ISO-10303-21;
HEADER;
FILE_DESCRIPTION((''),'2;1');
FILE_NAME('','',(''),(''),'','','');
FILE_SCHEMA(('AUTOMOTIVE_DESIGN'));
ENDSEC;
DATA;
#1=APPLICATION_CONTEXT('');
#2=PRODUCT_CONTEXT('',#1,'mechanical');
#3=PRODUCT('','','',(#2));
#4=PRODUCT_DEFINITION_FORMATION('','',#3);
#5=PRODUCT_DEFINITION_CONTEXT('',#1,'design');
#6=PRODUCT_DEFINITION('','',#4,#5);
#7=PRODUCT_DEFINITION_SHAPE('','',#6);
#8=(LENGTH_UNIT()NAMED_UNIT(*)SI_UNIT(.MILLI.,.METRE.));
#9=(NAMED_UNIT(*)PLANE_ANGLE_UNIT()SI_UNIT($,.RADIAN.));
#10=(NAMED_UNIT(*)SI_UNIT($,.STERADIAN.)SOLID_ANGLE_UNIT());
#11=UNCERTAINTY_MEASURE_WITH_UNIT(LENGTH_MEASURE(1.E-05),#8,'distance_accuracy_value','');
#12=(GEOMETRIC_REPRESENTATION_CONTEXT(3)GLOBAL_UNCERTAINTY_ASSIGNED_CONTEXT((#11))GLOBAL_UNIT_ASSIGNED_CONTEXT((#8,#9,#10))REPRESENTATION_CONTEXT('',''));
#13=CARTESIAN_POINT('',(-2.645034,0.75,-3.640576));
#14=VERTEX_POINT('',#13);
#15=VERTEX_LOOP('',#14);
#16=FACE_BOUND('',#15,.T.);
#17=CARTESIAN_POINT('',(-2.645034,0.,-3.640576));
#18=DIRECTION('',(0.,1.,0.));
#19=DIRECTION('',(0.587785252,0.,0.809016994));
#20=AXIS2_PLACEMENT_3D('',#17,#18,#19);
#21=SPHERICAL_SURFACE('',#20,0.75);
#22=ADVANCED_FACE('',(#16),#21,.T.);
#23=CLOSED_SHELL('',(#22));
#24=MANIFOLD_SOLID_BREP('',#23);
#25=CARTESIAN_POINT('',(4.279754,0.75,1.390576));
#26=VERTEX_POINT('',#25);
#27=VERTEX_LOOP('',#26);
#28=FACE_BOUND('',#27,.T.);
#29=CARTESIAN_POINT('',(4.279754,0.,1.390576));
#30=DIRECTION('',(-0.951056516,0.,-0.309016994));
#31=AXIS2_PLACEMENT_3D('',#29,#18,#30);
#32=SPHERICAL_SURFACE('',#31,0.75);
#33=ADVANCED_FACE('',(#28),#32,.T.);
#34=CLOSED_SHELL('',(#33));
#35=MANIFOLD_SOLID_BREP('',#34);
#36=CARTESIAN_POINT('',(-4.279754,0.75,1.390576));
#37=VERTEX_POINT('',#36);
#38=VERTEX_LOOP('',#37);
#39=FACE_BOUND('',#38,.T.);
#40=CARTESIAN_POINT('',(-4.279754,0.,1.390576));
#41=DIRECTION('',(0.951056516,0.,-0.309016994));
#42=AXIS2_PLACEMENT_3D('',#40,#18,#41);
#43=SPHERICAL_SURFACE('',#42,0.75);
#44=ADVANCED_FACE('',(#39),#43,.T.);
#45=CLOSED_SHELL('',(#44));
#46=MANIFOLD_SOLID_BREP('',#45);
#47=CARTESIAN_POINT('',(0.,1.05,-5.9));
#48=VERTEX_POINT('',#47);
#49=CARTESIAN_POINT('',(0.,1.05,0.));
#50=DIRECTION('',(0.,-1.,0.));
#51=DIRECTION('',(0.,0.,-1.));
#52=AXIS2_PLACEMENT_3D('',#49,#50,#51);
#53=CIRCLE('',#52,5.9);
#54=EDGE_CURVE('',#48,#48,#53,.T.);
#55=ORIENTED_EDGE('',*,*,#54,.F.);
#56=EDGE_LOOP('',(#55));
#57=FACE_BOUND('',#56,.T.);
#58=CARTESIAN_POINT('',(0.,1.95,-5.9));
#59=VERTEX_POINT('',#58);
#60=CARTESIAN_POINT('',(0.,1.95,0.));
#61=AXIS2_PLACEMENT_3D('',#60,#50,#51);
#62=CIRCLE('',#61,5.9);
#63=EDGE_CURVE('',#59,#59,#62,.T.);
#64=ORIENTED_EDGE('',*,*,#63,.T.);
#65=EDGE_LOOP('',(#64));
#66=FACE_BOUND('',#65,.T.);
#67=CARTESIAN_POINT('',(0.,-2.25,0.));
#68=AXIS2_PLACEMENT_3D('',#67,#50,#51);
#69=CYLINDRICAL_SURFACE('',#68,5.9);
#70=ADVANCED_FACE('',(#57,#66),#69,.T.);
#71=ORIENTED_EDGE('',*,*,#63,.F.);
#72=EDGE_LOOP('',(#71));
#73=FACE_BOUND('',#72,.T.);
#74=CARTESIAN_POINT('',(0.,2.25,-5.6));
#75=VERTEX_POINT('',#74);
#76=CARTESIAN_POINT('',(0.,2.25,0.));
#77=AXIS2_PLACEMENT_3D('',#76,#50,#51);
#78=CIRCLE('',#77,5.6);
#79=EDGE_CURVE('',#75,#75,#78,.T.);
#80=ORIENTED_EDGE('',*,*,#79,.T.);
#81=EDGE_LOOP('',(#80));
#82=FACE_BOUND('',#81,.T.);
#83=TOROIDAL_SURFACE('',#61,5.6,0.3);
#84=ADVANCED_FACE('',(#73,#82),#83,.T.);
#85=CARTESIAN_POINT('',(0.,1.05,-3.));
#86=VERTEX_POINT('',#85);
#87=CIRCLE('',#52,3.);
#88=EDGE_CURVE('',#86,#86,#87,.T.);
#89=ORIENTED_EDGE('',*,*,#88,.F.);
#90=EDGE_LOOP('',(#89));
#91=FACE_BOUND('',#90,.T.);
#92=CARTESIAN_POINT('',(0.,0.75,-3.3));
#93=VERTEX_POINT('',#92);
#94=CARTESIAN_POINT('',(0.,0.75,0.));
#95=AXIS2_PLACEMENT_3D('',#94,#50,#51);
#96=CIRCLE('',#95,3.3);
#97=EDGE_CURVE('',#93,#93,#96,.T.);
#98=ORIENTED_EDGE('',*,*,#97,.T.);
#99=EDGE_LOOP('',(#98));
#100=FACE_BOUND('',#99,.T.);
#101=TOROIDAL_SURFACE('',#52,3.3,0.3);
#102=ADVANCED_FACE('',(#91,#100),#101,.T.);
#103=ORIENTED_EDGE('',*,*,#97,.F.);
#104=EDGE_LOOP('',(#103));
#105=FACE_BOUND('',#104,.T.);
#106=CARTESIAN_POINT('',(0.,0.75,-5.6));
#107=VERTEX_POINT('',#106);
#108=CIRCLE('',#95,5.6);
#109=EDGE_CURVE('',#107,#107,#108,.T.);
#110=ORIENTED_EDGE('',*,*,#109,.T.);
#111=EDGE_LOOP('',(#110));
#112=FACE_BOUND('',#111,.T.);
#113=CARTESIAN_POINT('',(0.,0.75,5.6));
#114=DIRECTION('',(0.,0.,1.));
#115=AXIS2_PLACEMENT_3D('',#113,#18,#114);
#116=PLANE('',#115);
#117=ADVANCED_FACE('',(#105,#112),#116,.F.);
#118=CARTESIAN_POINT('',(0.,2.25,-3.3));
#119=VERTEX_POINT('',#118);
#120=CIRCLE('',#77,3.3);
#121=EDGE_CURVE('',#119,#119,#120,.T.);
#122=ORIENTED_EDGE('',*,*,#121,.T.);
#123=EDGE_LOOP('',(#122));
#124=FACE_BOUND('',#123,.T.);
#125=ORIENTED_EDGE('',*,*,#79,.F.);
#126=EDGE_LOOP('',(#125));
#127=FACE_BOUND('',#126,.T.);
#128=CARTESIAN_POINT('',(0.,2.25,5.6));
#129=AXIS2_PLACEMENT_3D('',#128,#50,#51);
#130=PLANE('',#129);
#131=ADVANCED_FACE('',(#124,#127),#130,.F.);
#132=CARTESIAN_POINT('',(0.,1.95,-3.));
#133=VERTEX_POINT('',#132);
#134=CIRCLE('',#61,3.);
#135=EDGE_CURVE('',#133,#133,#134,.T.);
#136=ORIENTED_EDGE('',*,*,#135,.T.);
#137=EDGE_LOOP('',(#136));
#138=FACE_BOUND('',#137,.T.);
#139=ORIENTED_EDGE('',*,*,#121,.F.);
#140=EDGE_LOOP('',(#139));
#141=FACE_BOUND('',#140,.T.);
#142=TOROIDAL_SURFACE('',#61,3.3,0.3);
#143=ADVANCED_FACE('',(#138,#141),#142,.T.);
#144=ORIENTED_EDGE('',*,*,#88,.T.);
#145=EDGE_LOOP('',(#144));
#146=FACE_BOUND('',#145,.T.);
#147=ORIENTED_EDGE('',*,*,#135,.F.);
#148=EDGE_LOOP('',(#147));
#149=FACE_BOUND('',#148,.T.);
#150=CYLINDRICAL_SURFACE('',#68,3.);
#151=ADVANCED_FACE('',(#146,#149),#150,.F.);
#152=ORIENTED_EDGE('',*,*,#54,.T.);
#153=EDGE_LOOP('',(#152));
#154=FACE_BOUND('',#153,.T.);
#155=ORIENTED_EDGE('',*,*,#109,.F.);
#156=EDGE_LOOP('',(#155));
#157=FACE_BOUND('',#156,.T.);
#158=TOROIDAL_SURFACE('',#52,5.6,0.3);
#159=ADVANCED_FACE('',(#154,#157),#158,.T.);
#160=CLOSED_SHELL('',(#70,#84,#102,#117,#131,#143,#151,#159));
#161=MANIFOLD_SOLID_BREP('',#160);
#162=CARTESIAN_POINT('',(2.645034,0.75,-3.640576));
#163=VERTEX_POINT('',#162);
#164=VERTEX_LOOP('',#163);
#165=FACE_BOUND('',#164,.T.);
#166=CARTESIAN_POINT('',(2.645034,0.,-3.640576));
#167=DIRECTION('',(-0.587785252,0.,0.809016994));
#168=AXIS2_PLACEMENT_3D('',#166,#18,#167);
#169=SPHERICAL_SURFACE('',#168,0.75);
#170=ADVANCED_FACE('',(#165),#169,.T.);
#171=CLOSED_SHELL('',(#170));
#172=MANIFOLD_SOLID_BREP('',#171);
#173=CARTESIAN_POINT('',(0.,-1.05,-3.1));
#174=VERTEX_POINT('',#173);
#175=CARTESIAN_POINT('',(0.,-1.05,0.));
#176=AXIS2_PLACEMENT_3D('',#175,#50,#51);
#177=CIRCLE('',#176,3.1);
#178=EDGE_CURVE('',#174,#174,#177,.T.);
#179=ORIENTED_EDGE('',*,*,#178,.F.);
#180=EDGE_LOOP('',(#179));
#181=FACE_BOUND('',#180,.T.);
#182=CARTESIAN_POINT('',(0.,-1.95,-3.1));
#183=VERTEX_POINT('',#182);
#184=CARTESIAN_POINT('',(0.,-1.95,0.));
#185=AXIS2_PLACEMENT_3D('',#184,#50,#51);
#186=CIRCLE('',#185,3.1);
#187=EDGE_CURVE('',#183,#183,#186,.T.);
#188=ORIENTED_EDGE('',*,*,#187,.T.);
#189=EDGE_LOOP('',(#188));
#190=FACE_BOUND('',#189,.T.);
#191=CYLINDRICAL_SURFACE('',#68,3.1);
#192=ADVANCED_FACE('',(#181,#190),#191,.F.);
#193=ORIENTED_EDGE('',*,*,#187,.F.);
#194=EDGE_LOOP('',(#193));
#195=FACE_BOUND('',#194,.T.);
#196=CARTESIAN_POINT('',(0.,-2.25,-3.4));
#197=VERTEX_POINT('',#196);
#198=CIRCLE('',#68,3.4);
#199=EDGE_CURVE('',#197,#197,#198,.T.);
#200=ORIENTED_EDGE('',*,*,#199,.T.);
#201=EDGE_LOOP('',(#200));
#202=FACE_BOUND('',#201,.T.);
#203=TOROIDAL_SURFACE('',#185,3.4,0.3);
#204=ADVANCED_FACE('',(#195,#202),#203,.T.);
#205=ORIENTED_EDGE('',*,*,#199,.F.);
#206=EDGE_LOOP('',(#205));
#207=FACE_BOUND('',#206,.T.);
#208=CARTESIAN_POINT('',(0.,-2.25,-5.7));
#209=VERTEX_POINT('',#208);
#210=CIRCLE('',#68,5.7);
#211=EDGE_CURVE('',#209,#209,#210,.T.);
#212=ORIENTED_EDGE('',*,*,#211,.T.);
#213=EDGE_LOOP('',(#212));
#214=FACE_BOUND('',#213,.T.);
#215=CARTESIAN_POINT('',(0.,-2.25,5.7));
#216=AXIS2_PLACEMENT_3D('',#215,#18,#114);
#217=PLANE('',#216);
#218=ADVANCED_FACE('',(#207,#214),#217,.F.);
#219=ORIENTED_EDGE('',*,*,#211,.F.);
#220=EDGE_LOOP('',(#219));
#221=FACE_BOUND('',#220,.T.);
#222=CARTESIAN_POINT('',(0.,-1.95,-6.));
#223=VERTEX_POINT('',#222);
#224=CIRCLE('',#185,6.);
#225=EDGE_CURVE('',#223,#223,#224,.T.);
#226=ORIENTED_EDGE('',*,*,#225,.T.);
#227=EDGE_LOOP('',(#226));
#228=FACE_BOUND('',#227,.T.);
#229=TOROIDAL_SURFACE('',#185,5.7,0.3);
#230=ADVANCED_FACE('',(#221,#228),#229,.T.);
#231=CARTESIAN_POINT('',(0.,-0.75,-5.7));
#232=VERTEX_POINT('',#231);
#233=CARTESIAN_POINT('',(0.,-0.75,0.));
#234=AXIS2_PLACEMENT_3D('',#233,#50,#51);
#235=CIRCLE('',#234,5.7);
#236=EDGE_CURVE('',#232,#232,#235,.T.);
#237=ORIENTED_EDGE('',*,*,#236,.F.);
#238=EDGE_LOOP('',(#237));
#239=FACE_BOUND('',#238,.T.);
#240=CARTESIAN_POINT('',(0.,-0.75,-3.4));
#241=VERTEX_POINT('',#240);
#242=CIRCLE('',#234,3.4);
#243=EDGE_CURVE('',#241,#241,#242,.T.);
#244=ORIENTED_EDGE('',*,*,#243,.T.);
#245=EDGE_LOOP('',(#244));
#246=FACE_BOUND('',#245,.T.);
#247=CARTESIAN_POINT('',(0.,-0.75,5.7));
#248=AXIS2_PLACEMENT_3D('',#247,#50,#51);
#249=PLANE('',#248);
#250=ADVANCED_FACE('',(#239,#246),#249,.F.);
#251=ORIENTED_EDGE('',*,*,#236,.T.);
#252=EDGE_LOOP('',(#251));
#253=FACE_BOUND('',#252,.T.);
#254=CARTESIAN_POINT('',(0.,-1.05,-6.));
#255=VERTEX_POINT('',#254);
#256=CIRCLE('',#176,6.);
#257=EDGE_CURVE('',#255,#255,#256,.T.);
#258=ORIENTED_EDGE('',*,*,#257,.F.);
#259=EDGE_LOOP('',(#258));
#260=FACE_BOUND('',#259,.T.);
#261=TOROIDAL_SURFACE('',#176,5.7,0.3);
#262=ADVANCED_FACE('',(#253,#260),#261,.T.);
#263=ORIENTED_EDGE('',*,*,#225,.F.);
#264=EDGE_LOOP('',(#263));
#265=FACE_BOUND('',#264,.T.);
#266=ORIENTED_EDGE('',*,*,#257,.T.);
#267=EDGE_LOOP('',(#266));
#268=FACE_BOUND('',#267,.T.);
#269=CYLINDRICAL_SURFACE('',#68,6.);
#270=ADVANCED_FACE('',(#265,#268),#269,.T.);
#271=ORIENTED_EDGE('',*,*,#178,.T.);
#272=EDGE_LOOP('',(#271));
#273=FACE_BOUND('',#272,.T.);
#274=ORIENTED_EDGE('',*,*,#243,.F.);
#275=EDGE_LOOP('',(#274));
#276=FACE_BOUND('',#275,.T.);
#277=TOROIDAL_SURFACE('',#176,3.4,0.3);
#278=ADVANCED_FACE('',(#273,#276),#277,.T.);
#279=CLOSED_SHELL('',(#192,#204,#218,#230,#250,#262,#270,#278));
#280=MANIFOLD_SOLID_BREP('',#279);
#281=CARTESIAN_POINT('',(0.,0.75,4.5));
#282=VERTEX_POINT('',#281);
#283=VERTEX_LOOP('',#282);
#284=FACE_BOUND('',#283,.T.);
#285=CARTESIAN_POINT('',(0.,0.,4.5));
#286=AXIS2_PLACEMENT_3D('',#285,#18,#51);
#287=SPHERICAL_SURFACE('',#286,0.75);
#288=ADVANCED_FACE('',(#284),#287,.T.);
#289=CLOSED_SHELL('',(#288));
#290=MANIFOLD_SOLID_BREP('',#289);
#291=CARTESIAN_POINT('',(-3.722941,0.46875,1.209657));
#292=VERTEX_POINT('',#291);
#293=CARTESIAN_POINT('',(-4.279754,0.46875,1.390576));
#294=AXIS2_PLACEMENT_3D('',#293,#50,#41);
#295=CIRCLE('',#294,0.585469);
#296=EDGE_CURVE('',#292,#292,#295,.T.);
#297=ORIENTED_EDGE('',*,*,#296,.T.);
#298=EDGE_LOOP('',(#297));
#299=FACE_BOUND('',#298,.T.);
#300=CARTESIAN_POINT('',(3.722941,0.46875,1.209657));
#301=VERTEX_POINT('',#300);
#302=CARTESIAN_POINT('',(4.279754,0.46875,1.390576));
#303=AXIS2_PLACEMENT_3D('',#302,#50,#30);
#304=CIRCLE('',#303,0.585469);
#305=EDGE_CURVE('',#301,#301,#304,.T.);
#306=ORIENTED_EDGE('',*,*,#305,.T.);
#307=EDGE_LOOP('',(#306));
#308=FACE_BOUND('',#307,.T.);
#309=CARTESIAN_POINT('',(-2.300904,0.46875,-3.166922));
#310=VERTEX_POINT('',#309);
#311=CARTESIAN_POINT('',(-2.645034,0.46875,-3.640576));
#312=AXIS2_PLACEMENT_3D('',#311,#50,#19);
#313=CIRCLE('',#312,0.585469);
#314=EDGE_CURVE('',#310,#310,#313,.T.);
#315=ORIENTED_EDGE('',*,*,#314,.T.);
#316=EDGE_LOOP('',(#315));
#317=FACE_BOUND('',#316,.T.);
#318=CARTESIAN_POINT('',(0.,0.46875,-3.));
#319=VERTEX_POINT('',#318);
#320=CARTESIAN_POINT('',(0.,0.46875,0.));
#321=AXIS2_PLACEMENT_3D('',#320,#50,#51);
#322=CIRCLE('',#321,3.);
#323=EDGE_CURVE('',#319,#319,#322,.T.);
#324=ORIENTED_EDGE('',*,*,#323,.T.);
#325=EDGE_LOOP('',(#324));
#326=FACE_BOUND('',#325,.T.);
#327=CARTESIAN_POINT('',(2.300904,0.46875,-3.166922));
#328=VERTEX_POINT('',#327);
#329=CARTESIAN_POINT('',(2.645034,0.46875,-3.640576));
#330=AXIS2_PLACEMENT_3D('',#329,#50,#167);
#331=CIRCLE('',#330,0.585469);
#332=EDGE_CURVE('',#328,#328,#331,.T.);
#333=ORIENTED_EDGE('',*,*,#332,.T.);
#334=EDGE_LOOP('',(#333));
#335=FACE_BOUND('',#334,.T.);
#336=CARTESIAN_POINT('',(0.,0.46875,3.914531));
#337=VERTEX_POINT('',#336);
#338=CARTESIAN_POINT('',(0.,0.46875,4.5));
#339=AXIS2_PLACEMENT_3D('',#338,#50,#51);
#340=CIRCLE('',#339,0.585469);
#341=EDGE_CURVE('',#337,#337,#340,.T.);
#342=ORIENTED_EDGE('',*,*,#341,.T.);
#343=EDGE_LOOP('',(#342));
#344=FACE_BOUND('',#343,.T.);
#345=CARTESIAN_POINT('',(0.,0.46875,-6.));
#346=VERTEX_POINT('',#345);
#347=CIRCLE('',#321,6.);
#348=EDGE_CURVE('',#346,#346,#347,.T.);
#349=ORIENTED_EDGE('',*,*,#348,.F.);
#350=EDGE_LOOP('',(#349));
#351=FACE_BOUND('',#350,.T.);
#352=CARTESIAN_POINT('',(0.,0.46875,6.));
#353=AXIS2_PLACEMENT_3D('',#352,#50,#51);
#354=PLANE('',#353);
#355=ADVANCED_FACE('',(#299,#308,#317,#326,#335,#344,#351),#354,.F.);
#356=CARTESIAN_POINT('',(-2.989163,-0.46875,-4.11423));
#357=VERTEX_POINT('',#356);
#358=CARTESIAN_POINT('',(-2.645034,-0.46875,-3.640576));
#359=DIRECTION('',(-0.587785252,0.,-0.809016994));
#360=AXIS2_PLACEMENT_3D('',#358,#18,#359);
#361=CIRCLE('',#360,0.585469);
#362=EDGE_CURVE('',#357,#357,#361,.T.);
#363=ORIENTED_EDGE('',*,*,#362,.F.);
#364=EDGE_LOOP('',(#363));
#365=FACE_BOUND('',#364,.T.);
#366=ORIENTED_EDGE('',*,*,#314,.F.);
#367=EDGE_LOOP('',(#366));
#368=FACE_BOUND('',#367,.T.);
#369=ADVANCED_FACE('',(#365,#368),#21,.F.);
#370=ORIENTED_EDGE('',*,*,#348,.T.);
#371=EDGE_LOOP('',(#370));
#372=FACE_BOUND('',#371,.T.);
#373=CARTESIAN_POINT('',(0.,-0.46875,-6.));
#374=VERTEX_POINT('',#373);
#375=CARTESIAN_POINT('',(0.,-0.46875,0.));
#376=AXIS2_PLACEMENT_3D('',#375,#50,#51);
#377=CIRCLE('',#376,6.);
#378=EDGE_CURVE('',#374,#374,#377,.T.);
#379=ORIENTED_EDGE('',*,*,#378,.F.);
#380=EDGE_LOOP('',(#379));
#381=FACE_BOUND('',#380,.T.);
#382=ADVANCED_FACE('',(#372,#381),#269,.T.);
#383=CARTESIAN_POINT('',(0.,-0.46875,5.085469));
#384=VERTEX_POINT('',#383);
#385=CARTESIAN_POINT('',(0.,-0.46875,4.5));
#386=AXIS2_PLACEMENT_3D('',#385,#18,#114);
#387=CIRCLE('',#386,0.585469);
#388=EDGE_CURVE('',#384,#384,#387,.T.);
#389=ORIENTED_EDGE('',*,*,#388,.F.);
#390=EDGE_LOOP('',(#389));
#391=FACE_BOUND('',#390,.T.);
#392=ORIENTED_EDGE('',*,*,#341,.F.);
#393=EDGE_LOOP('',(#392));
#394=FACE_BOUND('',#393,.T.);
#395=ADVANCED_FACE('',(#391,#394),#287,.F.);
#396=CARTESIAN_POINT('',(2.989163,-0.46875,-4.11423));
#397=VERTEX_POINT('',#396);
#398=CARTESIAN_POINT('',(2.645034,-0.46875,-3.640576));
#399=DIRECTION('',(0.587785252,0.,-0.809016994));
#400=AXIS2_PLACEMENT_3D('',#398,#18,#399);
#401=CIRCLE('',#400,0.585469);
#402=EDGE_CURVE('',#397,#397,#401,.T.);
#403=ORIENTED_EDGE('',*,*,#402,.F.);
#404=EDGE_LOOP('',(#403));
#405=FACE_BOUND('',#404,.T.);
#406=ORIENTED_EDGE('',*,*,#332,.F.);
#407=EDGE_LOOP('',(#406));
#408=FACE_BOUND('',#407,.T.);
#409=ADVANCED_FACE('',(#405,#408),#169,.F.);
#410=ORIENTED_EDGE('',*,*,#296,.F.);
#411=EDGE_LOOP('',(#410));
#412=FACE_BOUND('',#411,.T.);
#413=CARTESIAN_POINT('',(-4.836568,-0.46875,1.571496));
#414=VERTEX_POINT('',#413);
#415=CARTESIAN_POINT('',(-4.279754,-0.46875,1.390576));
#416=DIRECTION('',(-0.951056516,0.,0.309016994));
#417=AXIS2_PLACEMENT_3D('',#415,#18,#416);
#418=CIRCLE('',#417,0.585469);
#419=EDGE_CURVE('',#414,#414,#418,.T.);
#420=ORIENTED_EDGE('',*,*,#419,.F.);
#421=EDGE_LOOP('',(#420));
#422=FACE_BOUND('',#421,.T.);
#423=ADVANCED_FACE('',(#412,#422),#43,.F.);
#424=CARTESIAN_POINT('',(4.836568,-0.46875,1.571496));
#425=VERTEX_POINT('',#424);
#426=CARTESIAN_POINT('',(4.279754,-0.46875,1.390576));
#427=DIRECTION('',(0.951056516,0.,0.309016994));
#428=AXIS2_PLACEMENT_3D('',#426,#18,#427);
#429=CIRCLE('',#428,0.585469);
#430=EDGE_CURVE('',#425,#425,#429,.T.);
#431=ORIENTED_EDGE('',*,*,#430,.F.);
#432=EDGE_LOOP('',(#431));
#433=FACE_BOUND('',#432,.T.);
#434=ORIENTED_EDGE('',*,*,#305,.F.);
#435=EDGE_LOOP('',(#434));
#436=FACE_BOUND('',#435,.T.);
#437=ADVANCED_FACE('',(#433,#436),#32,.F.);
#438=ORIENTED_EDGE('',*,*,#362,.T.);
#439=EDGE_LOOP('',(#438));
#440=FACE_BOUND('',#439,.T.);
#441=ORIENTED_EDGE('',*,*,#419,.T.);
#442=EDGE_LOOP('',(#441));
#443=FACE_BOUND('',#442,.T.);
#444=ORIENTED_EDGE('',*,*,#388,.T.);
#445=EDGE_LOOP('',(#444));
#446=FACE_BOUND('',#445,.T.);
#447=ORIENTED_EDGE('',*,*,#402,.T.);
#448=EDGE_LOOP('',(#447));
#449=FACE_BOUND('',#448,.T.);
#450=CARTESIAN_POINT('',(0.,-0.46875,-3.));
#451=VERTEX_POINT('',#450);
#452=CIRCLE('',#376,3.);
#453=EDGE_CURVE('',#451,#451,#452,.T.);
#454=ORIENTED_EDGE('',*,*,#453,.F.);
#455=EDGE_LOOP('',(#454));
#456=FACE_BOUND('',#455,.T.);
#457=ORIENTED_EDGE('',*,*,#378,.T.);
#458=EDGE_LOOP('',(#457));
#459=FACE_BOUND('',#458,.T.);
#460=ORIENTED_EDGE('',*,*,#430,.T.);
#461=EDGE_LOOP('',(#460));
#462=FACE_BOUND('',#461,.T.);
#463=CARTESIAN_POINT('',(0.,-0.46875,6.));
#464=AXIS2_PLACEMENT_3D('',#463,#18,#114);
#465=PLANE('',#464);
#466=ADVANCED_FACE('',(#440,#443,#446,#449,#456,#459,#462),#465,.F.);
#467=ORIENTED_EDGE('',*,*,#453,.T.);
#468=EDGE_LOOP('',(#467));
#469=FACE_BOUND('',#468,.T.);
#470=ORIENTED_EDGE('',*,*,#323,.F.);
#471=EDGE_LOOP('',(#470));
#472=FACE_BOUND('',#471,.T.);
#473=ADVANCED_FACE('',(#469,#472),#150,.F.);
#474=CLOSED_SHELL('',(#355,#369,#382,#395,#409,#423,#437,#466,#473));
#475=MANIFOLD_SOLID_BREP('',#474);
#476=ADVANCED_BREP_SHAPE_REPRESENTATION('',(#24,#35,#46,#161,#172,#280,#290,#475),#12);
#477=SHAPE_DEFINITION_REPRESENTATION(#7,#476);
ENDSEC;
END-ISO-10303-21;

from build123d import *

# Parameters (mm, degrees)
SKETCH1_W         = 3
SKETCH1_H         = 0.9375
CIRPATTERN1_COUNT = 5
CIRPATTERN1_ANGLE = 288
CIRPATTERN2_COUNT = 5


with BuildPart() as part:
    # Sketch1 → Revolve1 (revolve)
    with BuildSketch(Plane(origin=(0, 0, 0), x_dir=(0, 0, -1), z_dir=(1, 0, 0))):
        with Locations((-4.5, 0)):
            Rectangle(SKETCH1_W, SKETCH1_H)
    revolve(axis=Axis((0, -2.25, 0), (0, 1, 0)))

    # Sketch3 → Cut-Revolve1 (revolve, cut)
    with BuildSketch(Plane(origin=(0, 0, 0), x_dir=(0, 0, -1), z_dir=(1, 0, 0))):
        with BuildLine():
            Line((-4.5, 0.75), (-4.5, -0.75))
            ThreePointArc((-4.5, -0.75), (-5.25, 0), (-4.5, 0.75))
        make_face()
    cut_revolve1 = revolve(axis=Axis((0, 0.75, 4.5), (0, -1, 0)), mode=Mode.SUBTRACT)

    # CirPattern2: Cut-Revolve1 ×5 about axis
    cirpattern2_axis = Axis((0, 0, 0), (0, 1, 0))
    for i in range(1, CIRPATTERN2_COUNT):
        add(cut_revolve1.rotate(cirpattern2_axis, i * 360 / CIRPATTERN2_COUNT), mode=Mode.SUBTRACT)


with BuildPart() as body_2:
    # Sketch2 → Revolve2 (revolve)
    with BuildSketch(Plane(origin=(0, 0, 0), x_dir=(0, 0, -1), z_dir=(1, 0, 0))):
        with BuildLine():
            Line((-4.5, 0.75), (-4.5, -0.75))
            ThreePointArc((-4.5, -0.75), (-5.25, 0), (-4.5, 0.75))
        make_face()
    revolve(axis=Axis((0, 0.75, 4.5), (0, -1, 0)))


with BuildPart() as cirpattern1_1:
    # CirPattern1: pattern copy
    add(body_2.part.rotate(Axis((0, 2.25, 0), (0, -1, 0)), 1 * CIRPATTERN1_ANGLE / (CIRPATTERN1_COUNT - 1)))


with BuildPart() as cirpattern1_2:
    # CirPattern1: pattern copy
    add(body_2.part.rotate(Axis((0, 2.25, 0), (0, -1, 0)), 2 * CIRPATTERN1_ANGLE / (CIRPATTERN1_COUNT - 1)))


with BuildPart() as cirpattern1_3:
    # CirPattern1: pattern copy
    add(body_2.part.rotate(Axis((0, 2.25, 0), (0, -1, 0)), 3 * CIRPATTERN1_ANGLE / (CIRPATTERN1_COUNT - 1)))


with BuildPart() as cirpattern1_4:
    # CirPattern1: pattern copy
    add(body_2.part.rotate(Axis((0, 2.25, 0), (0, -1, 0)), 4 * CIRPATTERN1_ANGLE / (CIRPATTERN1_COUNT - 1)))


with BuildPart() as body_7:
    # Sketch4 → Revolve3 (revolve)
    with BuildSketch(Plane(origin=(0, 0, 0), x_dir=(0, 0, -1), z_dir=(1, 0, 0))):
        with BuildLine():
            Line((-5.6, 2.25), (-3.3, 2.25))
            ThreePointArc((-3.3, 2.25), (-3.087867966, 2.162132034), (-3, 1.95))
            Line((-3, 1.95), (-3, 1.05))
            ThreePointArc((-3, 1.05), (-3.087867966, 0.837867966), (-3.3, 0.75))
            Line((-3.3, 0.75), (-5.6, 0.75))
            ThreePointArc((-5.6, 0.75), (-5.812132034, 0.837867966), (-5.9, 1.05))
            Line((-5.9, 1.05), (-5.9, 1.95))
            ThreePointArc((-5.9, 1.95), (-5.812132034, 2.162132034), (-5.6, 2.25))
        make_face()
        with BuildLine():
            Line((-5.7, -2.25), (-3.4, -2.25))
            ThreePointArc((-3.4, -2.25), (-3.187867966, -2.162132034), (-3.1, -1.95))
            Line((-3.1, -1.95), (-3.1, -1.05))
            ThreePointArc((-3.1, -1.05), (-3.187867966, -0.837867966), (-3.4, -0.75))
            Line((-3.4, -0.75), (-5.7, -0.75))
            ThreePointArc((-5.7, -0.75), (-5.912132034, -0.837867966), (-6, -1.05))
            Line((-6, -1.05), (-6, -1.95))
            ThreePointArc((-6, -1.95), (-5.912132034, -2.162132034), (-5.7, -2.25))
        make_face()
    revolve(axis=Axis((0, -2.25, 0), (0, 1, 0)))


solid = Compound([part.part, body_2.part, cirpattern1_1.part, cirpattern1_2.part, cirpattern1_3.part, cirpattern1_4.part, body_7.part])
